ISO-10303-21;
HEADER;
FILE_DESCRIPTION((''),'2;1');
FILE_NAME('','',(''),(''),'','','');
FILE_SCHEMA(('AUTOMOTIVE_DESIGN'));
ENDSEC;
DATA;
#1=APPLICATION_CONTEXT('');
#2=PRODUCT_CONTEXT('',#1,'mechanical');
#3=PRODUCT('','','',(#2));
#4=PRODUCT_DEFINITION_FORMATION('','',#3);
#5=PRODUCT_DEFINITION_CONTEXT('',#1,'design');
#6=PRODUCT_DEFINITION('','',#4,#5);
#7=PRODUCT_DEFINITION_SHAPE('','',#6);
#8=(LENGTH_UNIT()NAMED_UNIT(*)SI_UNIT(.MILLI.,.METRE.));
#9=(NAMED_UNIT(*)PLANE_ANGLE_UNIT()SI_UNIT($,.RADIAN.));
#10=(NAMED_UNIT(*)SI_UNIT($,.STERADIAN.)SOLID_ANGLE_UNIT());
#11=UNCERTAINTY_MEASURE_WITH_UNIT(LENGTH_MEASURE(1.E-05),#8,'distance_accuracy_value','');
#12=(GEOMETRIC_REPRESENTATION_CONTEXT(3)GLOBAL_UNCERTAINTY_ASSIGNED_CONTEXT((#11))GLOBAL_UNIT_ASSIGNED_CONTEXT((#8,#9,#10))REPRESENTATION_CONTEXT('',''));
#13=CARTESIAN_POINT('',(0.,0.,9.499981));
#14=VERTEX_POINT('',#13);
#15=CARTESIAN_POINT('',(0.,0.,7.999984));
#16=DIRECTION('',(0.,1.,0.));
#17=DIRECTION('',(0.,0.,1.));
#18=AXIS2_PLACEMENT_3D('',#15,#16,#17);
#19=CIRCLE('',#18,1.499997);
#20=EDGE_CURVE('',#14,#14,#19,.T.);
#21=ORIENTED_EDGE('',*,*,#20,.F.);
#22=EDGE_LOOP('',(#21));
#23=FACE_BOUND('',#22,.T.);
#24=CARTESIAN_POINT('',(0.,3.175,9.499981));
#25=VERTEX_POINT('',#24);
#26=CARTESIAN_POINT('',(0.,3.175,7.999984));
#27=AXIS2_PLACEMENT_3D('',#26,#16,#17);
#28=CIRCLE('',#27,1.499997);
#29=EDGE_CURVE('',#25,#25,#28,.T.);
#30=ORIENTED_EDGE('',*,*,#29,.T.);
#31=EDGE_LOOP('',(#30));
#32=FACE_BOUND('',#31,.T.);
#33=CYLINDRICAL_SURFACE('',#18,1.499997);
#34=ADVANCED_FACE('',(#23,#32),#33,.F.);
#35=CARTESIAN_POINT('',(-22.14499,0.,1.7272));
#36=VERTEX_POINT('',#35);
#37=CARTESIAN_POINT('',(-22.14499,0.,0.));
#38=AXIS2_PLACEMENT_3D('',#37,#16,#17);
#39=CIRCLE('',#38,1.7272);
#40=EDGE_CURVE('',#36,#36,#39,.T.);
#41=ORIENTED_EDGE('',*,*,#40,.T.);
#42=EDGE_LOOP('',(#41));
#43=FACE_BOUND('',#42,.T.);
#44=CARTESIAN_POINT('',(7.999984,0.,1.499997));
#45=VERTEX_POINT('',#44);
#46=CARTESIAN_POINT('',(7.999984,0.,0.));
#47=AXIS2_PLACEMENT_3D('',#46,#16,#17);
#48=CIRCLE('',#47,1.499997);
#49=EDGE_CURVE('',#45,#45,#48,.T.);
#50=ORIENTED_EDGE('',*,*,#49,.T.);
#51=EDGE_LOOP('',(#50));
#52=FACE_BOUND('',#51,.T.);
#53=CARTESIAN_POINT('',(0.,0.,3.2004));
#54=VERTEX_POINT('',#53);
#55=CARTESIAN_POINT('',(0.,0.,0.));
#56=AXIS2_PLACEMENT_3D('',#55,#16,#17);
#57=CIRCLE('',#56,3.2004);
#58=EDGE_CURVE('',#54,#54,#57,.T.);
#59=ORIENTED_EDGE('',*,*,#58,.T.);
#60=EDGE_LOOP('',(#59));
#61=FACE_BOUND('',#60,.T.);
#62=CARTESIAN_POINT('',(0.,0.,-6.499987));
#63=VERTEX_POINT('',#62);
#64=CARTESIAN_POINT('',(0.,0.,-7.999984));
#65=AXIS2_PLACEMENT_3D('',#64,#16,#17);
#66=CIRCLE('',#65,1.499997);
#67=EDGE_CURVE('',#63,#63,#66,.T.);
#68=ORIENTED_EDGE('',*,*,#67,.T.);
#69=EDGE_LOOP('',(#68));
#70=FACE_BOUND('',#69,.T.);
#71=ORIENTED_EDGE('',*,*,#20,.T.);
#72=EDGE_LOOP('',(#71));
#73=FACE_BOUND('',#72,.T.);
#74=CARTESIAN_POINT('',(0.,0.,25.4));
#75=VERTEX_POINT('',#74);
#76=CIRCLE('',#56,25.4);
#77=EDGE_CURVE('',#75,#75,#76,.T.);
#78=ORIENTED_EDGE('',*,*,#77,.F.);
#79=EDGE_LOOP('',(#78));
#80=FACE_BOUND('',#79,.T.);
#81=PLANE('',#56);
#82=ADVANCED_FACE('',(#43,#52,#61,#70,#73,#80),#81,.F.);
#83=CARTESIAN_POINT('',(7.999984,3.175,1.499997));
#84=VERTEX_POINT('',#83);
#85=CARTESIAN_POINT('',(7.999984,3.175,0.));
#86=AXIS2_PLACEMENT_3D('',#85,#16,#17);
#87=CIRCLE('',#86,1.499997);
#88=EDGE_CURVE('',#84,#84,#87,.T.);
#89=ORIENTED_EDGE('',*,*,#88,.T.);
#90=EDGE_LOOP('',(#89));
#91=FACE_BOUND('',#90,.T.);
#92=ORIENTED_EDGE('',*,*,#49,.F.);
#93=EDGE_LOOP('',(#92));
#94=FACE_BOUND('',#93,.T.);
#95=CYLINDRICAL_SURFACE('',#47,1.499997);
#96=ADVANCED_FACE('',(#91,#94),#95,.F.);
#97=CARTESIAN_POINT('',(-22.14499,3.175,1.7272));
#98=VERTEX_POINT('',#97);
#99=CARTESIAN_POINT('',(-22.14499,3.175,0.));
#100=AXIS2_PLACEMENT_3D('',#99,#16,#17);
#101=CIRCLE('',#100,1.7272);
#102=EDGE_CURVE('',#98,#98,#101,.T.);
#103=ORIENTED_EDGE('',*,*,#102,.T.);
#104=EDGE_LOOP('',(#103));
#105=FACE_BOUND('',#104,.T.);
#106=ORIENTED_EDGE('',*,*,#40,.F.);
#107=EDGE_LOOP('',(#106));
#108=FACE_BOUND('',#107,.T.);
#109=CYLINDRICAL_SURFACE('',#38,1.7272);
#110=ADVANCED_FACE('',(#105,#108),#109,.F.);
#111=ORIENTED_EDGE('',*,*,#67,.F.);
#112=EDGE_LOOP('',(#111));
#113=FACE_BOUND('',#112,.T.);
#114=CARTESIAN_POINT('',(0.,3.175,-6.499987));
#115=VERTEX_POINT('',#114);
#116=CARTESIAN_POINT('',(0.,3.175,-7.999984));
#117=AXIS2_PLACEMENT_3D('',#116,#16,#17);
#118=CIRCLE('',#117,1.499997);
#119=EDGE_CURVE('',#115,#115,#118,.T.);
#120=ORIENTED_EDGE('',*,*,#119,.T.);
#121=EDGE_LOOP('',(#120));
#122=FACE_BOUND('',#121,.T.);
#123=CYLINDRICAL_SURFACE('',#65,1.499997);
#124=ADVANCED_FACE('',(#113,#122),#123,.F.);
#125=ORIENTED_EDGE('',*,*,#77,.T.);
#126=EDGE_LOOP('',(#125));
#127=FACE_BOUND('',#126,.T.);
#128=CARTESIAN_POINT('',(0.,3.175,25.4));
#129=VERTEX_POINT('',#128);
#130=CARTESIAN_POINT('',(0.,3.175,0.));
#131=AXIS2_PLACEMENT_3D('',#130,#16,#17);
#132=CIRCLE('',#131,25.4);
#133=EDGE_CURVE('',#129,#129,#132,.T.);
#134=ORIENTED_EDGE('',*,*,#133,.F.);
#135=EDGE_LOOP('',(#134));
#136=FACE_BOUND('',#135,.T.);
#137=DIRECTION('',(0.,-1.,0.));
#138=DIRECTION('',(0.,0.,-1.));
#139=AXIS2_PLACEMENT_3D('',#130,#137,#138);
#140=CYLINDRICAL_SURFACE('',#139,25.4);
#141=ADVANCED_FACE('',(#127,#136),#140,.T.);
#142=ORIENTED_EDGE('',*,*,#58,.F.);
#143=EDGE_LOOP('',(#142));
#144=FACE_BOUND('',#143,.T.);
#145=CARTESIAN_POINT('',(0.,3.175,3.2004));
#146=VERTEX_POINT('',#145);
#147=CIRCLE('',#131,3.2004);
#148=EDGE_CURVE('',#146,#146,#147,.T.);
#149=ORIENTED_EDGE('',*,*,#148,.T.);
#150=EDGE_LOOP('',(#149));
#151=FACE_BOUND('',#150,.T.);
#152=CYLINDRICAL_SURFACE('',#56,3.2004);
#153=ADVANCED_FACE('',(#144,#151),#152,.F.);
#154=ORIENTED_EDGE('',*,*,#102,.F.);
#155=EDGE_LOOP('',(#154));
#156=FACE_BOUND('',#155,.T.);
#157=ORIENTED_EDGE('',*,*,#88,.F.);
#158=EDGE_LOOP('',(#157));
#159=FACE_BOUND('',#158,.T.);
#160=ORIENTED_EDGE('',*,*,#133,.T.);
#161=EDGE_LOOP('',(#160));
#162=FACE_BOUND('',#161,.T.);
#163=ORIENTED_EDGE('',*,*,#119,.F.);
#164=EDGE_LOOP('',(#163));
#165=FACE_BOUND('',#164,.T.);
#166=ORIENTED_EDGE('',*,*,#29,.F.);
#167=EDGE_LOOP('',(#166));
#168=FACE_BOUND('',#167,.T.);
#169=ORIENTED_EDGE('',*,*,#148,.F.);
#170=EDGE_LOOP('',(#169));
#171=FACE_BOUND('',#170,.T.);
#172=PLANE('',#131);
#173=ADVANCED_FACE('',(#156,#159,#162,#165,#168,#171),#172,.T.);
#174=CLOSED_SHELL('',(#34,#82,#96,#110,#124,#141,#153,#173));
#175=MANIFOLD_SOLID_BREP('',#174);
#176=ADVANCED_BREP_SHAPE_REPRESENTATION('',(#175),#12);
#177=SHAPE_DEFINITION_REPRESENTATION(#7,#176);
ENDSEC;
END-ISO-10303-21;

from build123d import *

# Parameters (mm, degrees)
SKETCH1_R           = 25.4
BOSS_EXTRUDE1_DEPTH = 3.175
SKETCH2_R           = 1.7272
CUT_EXTRUDE1_DEPTH  = 4.175
SKETCH3_R           = 3.2004
CUT_EXTRUDE2_DEPTH  = 4.175
SKETCH4_R           = 1.499997
CUT_EXTRUDE3_DEPTH  = 4.175


with BuildPart() as part:
    # Sketch1 → Boss-Extrude1 (new body)
    with BuildSketch(Plane(origin=(0, 0, 0), x_dir=(1, 0, 0), z_dir=(0, 1, 0))):
        Circle(SKETCH1_R)
    extrude(amount=BOSS_EXTRUDE1_DEPTH)

    # Sketch2 → Cut-Extrude1 (cut, through all)
    with BuildSketch(Plane(origin=(0, 3.175, 0), x_dir=(1, 0, 0), z_dir=(0, 1, 0))):
        with Locations((-22.14499, 0)):
            Circle(SKETCH2_R)
    extrude(amount=-CUT_EXTRUDE1_DEPTH, mode=Mode.SUBTRACT)

    # Sketch3 → Cut-Extrude2 (cut, through all)
    with BuildSketch(Plane(origin=(0, 3.175, 0), x_dir=(1, 0, 0), z_dir=(0, 1, 0))):
        Circle(SKETCH3_R)
    extrude(amount=-CUT_EXTRUDE2_DEPTH, mode=Mode.SUBTRACT)

    # Sketch4 → Cut-Extrude3 (cut, through all)
    with BuildSketch(Plane(origin=(0, 3.175, 0), x_dir=(1, 0, 0), z_dir=(0, 1, 0))):
        with Locations((0, 7.999984)):
            Circle(SKETCH4_R)
        with Locations((0, -7.999984)):
            Circle(SKETCH4_R)
        with Locations((7.999984, 0)):
            Circle(SKETCH4_R)
    extrude(amount=-CUT_EXTRUDE3_DEPTH, mode=Mode.SUBTRACT)


solid = part.part
